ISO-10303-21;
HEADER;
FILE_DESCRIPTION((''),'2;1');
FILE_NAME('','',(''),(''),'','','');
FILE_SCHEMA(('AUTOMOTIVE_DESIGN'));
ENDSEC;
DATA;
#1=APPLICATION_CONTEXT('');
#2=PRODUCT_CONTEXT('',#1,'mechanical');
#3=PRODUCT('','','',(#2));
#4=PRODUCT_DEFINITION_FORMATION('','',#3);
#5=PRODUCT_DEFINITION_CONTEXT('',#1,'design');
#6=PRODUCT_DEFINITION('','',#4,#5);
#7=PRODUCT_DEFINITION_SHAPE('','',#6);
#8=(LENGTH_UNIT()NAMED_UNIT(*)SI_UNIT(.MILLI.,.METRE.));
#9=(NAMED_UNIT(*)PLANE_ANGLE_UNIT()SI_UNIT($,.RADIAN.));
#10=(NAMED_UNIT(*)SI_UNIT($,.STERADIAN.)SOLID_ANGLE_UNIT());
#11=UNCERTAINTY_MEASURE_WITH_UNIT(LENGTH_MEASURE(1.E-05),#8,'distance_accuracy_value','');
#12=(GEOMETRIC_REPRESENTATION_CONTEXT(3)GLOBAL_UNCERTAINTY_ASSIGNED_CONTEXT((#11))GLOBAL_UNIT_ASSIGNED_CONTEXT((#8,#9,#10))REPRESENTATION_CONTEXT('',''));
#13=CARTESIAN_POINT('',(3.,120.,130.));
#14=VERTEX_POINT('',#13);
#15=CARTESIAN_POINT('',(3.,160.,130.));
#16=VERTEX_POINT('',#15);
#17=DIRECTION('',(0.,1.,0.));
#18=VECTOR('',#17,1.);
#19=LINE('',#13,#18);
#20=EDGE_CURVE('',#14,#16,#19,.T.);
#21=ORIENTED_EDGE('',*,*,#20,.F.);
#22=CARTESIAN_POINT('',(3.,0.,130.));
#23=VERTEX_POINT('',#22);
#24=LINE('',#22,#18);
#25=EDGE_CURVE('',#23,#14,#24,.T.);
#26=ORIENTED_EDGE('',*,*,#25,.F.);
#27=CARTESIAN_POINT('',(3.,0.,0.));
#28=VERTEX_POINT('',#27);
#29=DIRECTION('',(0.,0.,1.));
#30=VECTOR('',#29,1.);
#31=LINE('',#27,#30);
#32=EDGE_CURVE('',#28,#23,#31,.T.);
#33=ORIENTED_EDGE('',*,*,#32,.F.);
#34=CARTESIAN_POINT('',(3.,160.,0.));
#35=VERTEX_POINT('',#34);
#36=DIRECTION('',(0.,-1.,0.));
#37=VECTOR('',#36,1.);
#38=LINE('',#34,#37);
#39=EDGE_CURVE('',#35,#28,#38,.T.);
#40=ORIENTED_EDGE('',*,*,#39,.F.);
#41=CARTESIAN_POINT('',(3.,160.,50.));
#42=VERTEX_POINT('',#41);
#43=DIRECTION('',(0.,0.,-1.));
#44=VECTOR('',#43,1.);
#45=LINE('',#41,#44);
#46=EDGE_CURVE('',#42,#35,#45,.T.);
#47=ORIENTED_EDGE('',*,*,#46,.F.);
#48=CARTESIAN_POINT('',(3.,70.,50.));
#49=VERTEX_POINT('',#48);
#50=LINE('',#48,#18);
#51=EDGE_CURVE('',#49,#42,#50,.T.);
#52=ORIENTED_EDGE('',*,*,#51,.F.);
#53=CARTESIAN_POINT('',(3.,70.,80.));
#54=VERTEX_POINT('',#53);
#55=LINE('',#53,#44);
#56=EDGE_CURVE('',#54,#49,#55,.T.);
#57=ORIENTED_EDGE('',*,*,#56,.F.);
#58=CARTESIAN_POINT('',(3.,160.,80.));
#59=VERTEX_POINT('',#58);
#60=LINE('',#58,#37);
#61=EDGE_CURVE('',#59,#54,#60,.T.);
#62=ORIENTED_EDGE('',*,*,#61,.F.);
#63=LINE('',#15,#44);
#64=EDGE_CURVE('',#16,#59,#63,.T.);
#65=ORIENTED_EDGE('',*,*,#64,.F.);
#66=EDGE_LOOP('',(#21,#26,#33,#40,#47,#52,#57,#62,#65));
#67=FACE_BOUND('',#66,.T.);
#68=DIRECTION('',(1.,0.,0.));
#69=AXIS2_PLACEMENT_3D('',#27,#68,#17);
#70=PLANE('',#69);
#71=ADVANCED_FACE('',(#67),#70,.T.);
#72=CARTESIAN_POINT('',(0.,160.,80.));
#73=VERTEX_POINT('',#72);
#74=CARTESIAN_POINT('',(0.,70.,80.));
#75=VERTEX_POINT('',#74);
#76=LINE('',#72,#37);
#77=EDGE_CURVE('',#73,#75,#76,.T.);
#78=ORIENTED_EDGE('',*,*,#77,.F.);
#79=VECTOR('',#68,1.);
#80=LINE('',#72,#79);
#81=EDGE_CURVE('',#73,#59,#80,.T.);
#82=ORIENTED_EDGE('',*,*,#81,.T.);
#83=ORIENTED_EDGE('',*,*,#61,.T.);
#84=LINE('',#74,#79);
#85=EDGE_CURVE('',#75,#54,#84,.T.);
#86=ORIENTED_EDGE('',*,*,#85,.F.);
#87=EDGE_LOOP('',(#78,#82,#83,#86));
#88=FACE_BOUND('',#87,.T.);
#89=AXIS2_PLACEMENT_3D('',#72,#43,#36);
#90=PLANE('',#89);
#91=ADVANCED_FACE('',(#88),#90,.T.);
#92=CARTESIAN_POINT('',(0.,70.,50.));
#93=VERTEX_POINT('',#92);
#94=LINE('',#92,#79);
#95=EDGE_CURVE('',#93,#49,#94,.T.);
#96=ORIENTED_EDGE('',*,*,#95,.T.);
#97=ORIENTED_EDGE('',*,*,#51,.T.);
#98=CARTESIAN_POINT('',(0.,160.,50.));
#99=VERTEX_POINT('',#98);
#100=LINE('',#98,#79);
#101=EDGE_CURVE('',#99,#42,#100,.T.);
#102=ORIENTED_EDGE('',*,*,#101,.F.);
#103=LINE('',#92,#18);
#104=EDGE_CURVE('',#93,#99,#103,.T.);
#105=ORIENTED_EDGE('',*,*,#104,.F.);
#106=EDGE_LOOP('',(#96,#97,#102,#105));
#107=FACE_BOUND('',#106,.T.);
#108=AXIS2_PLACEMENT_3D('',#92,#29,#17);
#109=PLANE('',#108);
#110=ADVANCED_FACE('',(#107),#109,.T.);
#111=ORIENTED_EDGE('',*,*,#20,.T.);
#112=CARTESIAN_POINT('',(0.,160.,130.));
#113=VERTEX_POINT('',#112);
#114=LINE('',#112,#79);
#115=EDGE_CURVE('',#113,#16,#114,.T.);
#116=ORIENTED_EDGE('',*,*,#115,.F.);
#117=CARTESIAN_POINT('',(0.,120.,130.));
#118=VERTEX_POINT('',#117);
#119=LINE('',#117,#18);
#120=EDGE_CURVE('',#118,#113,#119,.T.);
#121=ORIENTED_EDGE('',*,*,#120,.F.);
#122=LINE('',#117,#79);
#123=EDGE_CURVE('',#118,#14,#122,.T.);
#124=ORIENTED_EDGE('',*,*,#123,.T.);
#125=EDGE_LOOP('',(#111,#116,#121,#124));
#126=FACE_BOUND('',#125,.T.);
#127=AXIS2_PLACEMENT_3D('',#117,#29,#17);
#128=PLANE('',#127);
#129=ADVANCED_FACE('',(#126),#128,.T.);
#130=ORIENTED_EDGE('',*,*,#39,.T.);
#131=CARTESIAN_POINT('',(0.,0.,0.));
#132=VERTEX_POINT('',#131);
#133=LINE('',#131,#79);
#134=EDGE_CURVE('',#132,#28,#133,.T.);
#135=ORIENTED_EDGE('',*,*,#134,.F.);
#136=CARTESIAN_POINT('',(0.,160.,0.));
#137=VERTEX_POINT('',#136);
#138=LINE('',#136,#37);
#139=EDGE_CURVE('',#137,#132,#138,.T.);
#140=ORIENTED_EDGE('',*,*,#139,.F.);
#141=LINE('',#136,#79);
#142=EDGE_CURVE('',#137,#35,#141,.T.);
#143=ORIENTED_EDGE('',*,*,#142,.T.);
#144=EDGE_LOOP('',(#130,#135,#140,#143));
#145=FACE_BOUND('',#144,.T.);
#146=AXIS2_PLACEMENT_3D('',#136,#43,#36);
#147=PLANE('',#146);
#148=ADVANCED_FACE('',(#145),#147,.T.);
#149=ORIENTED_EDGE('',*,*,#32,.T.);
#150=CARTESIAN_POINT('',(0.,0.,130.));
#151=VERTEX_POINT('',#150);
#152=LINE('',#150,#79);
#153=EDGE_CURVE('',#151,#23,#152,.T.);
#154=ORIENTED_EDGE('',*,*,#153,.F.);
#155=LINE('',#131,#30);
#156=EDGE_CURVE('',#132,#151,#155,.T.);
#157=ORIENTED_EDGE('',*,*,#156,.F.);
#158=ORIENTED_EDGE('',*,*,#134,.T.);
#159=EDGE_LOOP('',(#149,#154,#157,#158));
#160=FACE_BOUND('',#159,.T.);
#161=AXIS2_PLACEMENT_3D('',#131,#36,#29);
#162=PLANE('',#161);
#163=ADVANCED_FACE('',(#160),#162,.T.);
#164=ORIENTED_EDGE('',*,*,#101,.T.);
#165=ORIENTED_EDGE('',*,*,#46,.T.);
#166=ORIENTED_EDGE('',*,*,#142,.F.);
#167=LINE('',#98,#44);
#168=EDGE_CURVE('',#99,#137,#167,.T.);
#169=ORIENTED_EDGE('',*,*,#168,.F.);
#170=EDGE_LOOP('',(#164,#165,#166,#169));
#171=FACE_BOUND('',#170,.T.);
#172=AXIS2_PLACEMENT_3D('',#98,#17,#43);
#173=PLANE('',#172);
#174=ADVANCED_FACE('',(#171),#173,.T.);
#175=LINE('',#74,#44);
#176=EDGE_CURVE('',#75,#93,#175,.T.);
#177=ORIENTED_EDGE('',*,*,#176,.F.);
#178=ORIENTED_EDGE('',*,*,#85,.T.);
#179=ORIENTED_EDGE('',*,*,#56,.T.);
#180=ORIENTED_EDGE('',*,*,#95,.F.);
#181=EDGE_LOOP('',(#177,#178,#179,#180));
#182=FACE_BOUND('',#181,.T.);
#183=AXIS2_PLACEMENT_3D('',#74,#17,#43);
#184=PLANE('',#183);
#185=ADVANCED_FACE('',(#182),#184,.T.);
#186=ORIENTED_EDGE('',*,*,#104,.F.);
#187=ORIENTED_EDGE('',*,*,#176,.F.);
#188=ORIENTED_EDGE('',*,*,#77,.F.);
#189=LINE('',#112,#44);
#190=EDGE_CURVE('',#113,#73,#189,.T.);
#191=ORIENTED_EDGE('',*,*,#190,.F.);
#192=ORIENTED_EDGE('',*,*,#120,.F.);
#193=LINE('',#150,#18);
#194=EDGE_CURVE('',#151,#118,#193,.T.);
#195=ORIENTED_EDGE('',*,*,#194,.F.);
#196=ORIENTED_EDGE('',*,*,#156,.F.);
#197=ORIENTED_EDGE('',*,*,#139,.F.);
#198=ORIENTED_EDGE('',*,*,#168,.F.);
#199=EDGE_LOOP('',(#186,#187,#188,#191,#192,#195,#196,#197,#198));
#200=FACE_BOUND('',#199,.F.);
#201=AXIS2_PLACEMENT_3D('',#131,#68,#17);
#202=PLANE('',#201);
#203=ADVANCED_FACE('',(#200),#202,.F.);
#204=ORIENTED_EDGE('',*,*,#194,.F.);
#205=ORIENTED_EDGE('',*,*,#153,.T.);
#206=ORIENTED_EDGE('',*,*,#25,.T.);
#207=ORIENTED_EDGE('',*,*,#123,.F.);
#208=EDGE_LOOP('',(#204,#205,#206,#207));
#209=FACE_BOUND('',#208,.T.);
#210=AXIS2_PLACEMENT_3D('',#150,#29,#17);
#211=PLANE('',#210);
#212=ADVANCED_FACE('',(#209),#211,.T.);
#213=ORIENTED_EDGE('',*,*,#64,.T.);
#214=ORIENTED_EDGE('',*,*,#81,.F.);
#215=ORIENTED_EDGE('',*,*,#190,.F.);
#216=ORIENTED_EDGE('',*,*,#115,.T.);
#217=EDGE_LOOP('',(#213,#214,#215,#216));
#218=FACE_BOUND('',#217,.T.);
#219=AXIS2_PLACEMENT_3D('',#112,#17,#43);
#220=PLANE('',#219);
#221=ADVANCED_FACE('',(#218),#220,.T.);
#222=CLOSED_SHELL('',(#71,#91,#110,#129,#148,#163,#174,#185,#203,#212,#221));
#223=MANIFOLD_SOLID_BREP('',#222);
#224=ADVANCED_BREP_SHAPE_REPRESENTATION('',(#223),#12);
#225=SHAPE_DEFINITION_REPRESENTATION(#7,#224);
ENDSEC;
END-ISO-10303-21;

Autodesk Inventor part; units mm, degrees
ref_plane "YZ Plane" through (0, 0, 0) normal (1, 0, 0) x (0, 1, 0)
ref_plane "XZ Plane" through (0, 0, 0) normal (0, 1, 0) x (-1, 0, 0)
ref_plane "XY Plane" through (0, 0, 0) normal (0, 0, 1) x (1, 0, 0)
sketch "Sketch1" plane through (0, 0, 0) normal (1, 0, 0) x (0, 1, 0)
  point P0 (0, 0)
sketch "Sketch2" plane through (0, 0, 0) normal (1, 0, 0) x (0, 1, 0)
  point P0 (0, 0)
sketch "Sketch3" plane through (0, 0, 0) normal (1, 0, 0) x (0, 1, 0)
  line L0 (0, 0) -> (0, 130)
  line L1 (0, 130) -> (120, 130)
  line L2 (120, 130) -> (160, 130)
  line L3 (160, 130) -> (160, 80)
  line L4 (160, 80) -> (70, 80)
  line L5 (70, 80) -> (70, 50)
  line L6 (70, 50) -> (160, 50)
  line L7 (160, 50) -> (160, 0)
  line L8 (160, 0) -> (0, 0)
  point P0 (120, 80)
  point P1 (120, 50)
  dimension "d0" = 130
  dimension "d1" = 120
  dimension "d2" = 40
  dimension "d3" = 50
  dimension "d4" = 90
  dimension "d5" = 30
  dimension "d6" = 90
extrude "Extrusion1" add sketch "Sketch3" along normal blind 3
properties part number "sadak"
